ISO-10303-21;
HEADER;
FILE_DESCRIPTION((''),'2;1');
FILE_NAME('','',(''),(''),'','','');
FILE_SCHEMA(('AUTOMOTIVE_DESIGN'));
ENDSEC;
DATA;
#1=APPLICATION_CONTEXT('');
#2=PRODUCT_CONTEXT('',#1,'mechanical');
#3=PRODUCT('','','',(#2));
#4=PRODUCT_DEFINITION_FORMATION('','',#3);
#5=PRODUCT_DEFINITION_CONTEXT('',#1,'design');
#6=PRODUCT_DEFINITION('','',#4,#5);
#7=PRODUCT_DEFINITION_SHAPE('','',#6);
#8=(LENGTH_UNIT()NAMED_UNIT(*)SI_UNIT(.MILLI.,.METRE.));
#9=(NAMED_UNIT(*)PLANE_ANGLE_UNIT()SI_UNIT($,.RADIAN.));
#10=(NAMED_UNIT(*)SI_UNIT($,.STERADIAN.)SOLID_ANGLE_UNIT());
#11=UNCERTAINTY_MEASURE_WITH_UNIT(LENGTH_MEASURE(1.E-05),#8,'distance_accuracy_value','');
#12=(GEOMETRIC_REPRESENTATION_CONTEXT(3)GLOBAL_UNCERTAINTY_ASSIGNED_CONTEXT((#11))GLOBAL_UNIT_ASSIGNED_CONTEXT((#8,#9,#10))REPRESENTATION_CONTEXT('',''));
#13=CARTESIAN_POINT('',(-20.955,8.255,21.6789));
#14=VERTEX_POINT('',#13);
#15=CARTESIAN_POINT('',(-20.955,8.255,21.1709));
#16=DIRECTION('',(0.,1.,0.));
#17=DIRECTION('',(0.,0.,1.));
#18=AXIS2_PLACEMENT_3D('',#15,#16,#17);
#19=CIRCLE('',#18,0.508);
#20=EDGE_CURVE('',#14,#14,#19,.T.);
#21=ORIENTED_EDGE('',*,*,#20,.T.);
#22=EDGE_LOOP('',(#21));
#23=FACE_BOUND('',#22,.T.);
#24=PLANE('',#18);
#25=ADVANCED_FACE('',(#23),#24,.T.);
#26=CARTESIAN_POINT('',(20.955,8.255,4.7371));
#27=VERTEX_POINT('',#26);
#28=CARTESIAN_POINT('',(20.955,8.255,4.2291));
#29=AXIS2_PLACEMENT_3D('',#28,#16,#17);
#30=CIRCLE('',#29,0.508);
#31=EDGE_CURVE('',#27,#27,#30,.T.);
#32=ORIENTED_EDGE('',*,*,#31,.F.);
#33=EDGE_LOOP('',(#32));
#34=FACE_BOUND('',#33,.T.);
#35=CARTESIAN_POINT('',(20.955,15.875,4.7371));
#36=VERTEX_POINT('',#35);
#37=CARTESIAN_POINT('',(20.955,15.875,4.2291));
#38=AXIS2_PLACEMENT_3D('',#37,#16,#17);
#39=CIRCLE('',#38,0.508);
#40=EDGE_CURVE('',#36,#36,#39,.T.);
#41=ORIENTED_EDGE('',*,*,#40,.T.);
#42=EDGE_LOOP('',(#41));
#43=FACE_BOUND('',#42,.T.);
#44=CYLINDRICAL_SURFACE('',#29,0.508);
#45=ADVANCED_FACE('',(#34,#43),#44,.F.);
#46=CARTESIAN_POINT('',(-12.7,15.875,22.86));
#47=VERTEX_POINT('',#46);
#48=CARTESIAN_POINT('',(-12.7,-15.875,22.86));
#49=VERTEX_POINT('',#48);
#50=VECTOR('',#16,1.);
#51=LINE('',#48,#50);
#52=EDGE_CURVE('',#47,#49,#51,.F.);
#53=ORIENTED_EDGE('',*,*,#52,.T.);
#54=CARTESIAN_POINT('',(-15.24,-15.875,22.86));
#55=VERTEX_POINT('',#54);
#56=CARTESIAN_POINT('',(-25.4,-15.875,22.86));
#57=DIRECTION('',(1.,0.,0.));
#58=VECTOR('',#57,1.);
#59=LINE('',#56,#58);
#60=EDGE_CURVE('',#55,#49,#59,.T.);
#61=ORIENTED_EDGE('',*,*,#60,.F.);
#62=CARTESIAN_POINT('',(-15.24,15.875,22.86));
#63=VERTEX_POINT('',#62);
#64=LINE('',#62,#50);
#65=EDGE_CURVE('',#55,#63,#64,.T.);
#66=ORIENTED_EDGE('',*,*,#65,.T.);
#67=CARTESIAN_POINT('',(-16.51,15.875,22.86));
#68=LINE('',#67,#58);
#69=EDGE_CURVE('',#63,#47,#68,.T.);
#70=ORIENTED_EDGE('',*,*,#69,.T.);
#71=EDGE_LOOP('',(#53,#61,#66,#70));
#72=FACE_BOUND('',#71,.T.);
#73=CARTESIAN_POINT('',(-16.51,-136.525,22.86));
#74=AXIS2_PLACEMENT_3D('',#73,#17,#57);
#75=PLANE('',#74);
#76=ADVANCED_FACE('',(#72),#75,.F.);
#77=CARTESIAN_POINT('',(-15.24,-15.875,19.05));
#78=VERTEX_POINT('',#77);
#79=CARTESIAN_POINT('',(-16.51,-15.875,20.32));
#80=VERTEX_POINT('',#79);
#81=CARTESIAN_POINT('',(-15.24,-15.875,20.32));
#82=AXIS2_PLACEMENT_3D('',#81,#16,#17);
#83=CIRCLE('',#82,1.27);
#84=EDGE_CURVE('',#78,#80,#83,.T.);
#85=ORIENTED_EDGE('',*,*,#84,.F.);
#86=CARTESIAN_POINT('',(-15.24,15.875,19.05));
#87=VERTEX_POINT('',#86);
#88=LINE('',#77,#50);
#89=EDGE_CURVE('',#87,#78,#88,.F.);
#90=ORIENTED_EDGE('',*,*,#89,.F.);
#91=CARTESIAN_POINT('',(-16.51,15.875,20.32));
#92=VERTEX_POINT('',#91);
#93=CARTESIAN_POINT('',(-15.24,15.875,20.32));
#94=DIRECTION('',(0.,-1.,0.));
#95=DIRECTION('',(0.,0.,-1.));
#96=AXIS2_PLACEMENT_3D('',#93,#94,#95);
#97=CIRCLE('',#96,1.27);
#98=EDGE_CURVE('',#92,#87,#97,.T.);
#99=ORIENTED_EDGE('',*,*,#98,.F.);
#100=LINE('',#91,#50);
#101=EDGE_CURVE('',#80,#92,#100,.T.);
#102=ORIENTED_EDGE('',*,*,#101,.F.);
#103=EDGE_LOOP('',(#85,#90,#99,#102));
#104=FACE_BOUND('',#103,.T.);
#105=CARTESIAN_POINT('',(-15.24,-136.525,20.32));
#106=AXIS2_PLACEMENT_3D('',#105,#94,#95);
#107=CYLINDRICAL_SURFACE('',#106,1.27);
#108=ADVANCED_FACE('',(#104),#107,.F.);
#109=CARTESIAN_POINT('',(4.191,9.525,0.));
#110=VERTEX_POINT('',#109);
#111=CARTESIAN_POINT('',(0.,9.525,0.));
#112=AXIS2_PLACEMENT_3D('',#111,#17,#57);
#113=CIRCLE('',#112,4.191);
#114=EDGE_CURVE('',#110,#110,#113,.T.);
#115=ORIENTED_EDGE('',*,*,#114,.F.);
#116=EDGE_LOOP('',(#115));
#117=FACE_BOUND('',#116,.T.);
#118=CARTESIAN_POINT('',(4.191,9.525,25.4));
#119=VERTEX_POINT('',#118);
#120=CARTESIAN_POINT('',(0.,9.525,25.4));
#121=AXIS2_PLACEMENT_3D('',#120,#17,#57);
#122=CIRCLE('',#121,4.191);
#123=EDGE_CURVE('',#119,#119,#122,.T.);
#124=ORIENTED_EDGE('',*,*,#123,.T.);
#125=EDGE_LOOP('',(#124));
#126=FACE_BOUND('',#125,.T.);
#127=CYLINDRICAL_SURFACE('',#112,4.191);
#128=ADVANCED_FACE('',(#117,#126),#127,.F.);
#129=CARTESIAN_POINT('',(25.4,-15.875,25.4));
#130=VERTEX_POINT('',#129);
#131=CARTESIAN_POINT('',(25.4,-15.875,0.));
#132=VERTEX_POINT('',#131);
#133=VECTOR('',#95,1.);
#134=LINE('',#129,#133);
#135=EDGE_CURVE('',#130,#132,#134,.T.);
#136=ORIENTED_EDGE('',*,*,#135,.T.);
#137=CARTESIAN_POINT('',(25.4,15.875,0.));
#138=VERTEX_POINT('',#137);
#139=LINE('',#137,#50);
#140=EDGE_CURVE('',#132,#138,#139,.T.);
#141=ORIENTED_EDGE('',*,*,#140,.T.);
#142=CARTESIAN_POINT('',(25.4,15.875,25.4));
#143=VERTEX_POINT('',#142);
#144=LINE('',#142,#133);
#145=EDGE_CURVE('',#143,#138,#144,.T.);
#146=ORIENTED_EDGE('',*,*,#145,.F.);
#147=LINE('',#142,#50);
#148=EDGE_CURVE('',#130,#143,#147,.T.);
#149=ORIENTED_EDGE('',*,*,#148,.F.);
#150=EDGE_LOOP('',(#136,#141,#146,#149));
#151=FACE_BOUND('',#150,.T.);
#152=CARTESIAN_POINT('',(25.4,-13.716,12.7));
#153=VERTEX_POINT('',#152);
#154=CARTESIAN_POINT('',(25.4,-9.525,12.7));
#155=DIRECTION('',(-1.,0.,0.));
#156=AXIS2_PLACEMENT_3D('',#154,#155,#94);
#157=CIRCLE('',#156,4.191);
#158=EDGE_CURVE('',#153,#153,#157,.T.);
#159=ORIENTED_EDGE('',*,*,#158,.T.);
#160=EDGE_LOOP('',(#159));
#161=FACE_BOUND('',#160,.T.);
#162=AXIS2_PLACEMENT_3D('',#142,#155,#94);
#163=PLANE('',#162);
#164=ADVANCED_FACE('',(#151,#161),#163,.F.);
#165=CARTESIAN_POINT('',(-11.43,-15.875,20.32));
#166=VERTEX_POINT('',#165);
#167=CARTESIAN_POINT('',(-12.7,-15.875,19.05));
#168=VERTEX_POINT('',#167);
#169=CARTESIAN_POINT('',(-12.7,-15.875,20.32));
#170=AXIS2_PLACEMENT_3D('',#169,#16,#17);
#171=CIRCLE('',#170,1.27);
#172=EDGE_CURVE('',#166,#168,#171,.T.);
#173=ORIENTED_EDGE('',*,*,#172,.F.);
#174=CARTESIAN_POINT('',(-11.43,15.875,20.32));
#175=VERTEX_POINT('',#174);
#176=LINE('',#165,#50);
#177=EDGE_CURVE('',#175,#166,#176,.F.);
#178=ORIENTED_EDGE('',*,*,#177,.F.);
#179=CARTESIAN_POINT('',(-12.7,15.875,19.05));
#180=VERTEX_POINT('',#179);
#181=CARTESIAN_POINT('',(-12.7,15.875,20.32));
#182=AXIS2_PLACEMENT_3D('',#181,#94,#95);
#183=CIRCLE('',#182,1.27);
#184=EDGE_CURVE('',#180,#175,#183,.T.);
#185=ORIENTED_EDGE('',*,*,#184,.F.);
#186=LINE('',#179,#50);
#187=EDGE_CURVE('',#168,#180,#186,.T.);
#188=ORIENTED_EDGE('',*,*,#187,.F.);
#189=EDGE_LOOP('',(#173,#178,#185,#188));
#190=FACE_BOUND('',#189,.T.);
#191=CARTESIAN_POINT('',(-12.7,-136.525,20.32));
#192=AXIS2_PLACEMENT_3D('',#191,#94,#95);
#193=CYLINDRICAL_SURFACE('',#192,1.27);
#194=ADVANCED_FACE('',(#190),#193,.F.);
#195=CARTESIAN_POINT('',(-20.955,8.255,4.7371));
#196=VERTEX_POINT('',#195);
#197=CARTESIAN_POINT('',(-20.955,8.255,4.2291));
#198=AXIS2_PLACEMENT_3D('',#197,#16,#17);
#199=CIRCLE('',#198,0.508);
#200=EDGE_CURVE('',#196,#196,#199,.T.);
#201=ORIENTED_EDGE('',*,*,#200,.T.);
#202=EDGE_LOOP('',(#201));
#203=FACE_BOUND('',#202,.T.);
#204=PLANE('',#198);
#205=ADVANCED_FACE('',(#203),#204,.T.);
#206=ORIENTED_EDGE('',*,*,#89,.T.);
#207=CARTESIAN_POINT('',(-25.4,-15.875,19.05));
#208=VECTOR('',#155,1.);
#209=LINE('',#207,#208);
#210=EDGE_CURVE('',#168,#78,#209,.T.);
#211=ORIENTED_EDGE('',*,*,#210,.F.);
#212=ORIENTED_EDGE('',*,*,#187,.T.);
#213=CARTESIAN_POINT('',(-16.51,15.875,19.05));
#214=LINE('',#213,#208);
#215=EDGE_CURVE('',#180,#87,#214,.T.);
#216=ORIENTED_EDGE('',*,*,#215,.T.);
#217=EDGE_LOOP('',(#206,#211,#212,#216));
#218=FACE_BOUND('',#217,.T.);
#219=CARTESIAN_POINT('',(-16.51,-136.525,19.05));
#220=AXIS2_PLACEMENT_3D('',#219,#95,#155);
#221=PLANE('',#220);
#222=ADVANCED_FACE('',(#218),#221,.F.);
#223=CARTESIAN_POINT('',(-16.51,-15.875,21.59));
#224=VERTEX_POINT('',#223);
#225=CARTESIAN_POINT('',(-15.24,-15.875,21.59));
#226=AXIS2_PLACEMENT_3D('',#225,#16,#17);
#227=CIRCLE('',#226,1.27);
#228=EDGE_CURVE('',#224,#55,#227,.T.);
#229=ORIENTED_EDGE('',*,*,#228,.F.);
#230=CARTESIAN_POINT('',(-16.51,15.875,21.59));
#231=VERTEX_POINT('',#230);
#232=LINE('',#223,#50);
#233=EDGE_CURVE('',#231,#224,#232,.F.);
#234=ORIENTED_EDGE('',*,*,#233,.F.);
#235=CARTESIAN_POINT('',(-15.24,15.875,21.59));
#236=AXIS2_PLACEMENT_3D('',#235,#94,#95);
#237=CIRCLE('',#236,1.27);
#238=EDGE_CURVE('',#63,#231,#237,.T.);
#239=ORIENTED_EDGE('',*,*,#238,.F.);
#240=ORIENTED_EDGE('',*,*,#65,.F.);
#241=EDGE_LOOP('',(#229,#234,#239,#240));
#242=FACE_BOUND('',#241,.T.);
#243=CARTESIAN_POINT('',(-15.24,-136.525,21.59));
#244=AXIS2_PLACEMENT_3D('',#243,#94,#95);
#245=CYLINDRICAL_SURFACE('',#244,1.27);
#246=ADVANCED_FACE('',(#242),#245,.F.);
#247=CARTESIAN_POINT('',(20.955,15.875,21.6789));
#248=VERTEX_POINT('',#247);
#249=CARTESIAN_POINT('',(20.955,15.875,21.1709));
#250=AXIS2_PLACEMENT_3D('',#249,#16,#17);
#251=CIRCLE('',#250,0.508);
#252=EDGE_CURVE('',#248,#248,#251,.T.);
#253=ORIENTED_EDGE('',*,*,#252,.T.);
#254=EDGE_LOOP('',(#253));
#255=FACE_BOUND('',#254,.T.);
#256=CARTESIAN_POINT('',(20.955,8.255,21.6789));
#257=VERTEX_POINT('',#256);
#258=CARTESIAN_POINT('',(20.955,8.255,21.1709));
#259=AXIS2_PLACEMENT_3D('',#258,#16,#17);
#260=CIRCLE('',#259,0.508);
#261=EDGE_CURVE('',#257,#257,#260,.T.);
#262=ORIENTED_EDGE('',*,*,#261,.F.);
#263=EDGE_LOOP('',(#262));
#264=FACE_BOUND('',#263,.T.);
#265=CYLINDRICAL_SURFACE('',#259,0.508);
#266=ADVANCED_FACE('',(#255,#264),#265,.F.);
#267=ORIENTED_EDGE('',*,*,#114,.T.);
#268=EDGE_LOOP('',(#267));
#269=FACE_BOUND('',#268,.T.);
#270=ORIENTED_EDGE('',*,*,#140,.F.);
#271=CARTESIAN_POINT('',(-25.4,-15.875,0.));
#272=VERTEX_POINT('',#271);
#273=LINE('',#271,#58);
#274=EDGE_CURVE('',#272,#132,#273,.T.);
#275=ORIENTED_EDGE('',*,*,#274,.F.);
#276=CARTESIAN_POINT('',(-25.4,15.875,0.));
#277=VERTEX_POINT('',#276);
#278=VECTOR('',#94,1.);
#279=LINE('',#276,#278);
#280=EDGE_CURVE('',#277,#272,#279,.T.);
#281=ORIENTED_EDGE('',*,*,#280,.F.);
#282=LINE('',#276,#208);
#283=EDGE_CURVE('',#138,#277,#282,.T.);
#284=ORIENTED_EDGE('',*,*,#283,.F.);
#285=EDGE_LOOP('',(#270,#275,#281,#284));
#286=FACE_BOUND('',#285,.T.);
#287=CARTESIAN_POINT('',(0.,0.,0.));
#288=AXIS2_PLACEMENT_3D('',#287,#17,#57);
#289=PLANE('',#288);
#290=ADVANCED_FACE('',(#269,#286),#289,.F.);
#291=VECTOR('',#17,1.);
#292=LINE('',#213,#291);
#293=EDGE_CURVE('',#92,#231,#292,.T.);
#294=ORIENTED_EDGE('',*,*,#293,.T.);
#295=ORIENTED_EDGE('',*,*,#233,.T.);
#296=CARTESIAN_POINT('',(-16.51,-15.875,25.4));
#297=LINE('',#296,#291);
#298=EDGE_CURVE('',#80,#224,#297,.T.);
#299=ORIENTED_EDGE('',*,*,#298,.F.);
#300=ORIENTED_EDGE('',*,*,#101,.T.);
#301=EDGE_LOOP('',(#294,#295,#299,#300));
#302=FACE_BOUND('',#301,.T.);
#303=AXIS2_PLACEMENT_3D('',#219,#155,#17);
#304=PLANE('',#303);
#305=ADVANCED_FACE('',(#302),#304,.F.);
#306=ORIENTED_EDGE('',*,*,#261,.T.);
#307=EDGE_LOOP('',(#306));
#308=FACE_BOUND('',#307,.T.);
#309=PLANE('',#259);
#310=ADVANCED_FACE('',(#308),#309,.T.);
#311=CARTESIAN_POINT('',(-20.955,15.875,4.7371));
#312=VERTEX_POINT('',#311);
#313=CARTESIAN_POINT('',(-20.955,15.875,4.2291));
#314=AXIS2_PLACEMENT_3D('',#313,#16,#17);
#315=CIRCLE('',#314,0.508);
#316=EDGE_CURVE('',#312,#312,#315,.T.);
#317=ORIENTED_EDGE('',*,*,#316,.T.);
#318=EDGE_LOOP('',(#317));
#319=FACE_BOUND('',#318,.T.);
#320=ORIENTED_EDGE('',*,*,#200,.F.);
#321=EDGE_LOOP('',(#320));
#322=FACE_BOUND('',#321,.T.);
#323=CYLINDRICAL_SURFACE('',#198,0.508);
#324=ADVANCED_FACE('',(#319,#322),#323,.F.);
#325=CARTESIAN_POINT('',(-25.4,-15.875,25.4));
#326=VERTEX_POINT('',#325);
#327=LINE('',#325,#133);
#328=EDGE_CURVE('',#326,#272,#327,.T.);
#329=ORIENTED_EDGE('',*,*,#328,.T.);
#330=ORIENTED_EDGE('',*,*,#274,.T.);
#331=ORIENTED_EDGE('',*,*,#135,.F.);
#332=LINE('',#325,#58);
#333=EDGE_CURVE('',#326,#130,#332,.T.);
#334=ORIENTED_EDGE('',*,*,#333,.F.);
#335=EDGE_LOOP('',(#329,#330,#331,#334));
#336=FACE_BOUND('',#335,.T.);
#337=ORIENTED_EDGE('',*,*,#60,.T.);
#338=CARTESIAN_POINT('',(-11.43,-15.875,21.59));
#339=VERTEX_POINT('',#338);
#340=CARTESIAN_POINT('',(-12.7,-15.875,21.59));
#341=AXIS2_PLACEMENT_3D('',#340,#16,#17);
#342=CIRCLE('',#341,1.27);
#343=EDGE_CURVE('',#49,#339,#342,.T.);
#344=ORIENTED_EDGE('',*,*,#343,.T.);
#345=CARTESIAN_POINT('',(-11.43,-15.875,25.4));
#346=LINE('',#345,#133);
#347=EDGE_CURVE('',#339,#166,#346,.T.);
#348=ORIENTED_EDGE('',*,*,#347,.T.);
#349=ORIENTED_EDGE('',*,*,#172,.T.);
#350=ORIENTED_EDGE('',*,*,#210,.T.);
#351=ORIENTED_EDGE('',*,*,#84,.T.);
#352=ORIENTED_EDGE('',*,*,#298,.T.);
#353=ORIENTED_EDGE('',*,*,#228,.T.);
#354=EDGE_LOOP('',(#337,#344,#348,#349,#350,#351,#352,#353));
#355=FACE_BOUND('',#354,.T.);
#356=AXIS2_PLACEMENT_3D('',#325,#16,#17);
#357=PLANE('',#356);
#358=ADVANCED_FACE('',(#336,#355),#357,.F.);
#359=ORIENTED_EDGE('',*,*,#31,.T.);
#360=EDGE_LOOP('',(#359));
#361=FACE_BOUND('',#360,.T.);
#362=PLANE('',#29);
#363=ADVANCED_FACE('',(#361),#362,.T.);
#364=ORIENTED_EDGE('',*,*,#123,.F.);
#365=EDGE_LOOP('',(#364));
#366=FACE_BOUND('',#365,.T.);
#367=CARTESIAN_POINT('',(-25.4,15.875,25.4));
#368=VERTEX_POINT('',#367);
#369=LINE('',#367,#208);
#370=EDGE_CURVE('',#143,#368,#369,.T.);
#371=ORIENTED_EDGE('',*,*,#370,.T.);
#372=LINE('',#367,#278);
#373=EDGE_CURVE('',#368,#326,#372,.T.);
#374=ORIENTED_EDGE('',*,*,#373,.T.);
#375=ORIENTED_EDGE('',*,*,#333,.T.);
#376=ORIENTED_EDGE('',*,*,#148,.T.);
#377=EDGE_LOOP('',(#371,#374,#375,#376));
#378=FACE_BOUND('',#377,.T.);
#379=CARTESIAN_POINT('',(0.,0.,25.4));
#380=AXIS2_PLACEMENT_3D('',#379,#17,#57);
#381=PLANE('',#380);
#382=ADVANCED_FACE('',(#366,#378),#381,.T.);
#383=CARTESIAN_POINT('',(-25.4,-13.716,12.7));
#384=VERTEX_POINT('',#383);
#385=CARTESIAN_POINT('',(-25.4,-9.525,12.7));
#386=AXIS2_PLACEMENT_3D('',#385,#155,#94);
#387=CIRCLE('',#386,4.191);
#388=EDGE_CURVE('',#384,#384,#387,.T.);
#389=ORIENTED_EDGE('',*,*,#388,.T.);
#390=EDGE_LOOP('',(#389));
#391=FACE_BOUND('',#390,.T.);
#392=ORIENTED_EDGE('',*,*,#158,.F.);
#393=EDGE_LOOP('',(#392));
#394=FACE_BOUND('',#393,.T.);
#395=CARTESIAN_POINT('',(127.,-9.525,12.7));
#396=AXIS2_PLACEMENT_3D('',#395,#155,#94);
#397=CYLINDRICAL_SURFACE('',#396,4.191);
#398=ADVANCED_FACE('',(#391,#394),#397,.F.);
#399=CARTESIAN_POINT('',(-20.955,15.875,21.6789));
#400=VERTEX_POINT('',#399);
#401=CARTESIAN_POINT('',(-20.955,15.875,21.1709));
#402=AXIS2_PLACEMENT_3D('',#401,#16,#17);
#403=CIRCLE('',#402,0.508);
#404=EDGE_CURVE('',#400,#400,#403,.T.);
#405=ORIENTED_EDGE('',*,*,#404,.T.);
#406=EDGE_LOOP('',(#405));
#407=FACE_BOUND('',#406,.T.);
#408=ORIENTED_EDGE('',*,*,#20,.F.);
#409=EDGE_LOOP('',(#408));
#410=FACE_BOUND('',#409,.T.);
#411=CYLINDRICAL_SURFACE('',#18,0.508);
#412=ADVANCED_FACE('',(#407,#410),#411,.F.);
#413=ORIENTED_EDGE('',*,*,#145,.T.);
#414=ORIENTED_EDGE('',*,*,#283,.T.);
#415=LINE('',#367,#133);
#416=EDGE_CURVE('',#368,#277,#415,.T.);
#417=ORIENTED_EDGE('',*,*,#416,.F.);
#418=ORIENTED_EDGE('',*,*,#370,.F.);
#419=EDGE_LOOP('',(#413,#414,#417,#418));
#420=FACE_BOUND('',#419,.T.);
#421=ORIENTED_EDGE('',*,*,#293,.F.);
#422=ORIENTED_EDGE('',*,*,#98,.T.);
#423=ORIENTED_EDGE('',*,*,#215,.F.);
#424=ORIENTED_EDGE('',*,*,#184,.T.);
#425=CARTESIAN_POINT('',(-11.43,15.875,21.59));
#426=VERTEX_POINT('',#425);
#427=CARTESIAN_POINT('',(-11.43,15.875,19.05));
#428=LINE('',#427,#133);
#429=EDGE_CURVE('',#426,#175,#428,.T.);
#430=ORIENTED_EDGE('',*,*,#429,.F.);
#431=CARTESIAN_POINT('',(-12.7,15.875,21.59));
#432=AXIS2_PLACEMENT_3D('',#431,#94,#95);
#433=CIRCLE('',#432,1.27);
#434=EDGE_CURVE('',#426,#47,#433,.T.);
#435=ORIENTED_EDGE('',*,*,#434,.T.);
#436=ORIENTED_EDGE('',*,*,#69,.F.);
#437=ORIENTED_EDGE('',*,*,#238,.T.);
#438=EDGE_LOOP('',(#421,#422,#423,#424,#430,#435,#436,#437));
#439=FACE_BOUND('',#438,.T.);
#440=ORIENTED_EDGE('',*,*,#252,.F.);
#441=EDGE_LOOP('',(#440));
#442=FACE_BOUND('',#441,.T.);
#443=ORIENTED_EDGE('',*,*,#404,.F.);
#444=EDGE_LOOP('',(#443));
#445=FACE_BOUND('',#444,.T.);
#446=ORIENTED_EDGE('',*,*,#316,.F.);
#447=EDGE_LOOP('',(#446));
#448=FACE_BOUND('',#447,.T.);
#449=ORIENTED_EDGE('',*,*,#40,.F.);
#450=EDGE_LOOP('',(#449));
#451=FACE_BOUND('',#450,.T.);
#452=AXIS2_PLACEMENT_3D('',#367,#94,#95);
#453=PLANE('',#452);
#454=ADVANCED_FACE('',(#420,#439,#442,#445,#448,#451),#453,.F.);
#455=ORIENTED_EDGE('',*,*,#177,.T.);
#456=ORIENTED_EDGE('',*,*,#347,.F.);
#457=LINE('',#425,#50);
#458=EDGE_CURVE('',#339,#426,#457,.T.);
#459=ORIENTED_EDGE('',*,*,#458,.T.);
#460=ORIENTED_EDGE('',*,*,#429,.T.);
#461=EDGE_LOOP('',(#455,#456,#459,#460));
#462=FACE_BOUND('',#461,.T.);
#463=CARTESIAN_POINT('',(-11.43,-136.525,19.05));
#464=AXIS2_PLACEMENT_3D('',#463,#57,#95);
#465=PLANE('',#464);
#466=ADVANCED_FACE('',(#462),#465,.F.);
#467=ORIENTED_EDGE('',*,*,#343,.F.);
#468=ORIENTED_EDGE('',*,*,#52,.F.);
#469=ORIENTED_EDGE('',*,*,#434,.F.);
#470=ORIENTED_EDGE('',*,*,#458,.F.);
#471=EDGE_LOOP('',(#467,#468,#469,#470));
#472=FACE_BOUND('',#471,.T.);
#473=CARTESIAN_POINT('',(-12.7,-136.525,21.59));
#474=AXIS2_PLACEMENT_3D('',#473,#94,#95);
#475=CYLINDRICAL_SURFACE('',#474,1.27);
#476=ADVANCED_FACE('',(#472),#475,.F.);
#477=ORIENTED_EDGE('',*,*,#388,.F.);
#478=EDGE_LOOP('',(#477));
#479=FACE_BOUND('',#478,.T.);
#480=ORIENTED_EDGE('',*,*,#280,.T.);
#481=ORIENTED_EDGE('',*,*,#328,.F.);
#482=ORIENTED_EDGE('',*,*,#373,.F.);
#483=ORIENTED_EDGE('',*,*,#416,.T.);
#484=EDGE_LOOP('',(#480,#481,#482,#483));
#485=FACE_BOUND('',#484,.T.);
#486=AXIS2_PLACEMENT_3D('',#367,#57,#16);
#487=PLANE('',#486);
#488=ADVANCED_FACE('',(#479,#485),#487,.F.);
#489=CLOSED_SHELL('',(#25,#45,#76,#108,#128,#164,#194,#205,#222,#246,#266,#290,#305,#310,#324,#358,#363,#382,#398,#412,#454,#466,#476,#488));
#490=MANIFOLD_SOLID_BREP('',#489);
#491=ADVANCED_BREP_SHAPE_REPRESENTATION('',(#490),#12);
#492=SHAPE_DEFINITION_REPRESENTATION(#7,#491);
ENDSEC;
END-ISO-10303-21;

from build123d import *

# Parameters (mm, degrees)
SKETCH1_W           = 50.8
SKETCH1_H           = 31.75
BOSS_EXTRUDE1_DEPTH = 25.4
SKETCH4_R           = 4.191
CUT_EXTRUDE1_DEPTH  = 152.4
SKETCH5_R           = 4.191
CUT_EXTRUDE2_DEPTH  = 25.4
SKETCH7_R           = 0.508
CUT_EXTRUDE3_DEPTH  = 7.62
SKETCH9_W           = 5.08
SKETCH9_H           = 3.81
CUT_EXTRUDE5_DEPTH  = 152.4
FILLET1_R           = 1.27


with BuildPart() as part:
    # Sketch1 → Boss-Extrude1 (new body)
    with BuildSketch(Plane.XY):
        Rectangle(SKETCH1_W, SKETCH1_H)
    extrude(amount=BOSS_EXTRUDE1_DEPTH)

    # Sketch4 → Cut-Extrude1 (cut)
    with BuildSketch(Plane.ZY.offset(25.4)):
        with Locations((12.7, -9.525)):
            Circle(SKETCH4_R)
    extrude(amount=-CUT_EXTRUDE1_DEPTH, mode=Mode.SUBTRACT)

    # Sketch5 → Cut-Extrude2 (cut)
    with BuildSketch(Plane.XY.offset(25.4)):
        with Locations((0, 9.525)):
            Circle(SKETCH5_R)
    extrude(amount=-CUT_EXTRUDE2_DEPTH, mode=Mode.SUBTRACT)

    # Sketch7 → Cut-Extrude3 (cut)
    with BuildSketch(Plane(origin=(0, 15.875, 0), x_dir=(1, 0, 0), z_dir=(0, 1, 0))):
        with Locations((-20.955, -4.2291)):
            Circle(SKETCH7_R)
        with Locations((-20.955, -21.1709)):
            Circle(SKETCH7_R)
        with Locations((20.955, -4.2291)):
            Circle(SKETCH7_R)
        with Locations((20.955, -21.1709)):
            Circle(SKETCH7_R)
    extrude(amount=-CUT_EXTRUDE3_DEPTH, mode=Mode.SUBTRACT)

    # Sketch9 → Cut-Extrude5 (cut)
    with BuildSketch(Plane(origin=(0, 15.875, 0), x_dir=(1, 0, 0), z_dir=(0, 1, 0))):
        with Locations((-13.97, -20.955)):
            Rectangle(SKETCH9_W, SKETCH9_H)
    extrude(amount=-CUT_EXTRUDE5_DEPTH, mode=Mode.SUBTRACT)

    # Fillet1
    fillet1_edges = [part.edges().sort_by_distance(p)[0] for p in [
        (-16.51, 0, 22.86),
        (-16.51, 0, 19.05),
        (-11.43, 0, 19.05),
        (-11.43, 0, 22.86),
    ]]
    fillet(fillet1_edges, radius=FILLET1_R)


solid = part.part
